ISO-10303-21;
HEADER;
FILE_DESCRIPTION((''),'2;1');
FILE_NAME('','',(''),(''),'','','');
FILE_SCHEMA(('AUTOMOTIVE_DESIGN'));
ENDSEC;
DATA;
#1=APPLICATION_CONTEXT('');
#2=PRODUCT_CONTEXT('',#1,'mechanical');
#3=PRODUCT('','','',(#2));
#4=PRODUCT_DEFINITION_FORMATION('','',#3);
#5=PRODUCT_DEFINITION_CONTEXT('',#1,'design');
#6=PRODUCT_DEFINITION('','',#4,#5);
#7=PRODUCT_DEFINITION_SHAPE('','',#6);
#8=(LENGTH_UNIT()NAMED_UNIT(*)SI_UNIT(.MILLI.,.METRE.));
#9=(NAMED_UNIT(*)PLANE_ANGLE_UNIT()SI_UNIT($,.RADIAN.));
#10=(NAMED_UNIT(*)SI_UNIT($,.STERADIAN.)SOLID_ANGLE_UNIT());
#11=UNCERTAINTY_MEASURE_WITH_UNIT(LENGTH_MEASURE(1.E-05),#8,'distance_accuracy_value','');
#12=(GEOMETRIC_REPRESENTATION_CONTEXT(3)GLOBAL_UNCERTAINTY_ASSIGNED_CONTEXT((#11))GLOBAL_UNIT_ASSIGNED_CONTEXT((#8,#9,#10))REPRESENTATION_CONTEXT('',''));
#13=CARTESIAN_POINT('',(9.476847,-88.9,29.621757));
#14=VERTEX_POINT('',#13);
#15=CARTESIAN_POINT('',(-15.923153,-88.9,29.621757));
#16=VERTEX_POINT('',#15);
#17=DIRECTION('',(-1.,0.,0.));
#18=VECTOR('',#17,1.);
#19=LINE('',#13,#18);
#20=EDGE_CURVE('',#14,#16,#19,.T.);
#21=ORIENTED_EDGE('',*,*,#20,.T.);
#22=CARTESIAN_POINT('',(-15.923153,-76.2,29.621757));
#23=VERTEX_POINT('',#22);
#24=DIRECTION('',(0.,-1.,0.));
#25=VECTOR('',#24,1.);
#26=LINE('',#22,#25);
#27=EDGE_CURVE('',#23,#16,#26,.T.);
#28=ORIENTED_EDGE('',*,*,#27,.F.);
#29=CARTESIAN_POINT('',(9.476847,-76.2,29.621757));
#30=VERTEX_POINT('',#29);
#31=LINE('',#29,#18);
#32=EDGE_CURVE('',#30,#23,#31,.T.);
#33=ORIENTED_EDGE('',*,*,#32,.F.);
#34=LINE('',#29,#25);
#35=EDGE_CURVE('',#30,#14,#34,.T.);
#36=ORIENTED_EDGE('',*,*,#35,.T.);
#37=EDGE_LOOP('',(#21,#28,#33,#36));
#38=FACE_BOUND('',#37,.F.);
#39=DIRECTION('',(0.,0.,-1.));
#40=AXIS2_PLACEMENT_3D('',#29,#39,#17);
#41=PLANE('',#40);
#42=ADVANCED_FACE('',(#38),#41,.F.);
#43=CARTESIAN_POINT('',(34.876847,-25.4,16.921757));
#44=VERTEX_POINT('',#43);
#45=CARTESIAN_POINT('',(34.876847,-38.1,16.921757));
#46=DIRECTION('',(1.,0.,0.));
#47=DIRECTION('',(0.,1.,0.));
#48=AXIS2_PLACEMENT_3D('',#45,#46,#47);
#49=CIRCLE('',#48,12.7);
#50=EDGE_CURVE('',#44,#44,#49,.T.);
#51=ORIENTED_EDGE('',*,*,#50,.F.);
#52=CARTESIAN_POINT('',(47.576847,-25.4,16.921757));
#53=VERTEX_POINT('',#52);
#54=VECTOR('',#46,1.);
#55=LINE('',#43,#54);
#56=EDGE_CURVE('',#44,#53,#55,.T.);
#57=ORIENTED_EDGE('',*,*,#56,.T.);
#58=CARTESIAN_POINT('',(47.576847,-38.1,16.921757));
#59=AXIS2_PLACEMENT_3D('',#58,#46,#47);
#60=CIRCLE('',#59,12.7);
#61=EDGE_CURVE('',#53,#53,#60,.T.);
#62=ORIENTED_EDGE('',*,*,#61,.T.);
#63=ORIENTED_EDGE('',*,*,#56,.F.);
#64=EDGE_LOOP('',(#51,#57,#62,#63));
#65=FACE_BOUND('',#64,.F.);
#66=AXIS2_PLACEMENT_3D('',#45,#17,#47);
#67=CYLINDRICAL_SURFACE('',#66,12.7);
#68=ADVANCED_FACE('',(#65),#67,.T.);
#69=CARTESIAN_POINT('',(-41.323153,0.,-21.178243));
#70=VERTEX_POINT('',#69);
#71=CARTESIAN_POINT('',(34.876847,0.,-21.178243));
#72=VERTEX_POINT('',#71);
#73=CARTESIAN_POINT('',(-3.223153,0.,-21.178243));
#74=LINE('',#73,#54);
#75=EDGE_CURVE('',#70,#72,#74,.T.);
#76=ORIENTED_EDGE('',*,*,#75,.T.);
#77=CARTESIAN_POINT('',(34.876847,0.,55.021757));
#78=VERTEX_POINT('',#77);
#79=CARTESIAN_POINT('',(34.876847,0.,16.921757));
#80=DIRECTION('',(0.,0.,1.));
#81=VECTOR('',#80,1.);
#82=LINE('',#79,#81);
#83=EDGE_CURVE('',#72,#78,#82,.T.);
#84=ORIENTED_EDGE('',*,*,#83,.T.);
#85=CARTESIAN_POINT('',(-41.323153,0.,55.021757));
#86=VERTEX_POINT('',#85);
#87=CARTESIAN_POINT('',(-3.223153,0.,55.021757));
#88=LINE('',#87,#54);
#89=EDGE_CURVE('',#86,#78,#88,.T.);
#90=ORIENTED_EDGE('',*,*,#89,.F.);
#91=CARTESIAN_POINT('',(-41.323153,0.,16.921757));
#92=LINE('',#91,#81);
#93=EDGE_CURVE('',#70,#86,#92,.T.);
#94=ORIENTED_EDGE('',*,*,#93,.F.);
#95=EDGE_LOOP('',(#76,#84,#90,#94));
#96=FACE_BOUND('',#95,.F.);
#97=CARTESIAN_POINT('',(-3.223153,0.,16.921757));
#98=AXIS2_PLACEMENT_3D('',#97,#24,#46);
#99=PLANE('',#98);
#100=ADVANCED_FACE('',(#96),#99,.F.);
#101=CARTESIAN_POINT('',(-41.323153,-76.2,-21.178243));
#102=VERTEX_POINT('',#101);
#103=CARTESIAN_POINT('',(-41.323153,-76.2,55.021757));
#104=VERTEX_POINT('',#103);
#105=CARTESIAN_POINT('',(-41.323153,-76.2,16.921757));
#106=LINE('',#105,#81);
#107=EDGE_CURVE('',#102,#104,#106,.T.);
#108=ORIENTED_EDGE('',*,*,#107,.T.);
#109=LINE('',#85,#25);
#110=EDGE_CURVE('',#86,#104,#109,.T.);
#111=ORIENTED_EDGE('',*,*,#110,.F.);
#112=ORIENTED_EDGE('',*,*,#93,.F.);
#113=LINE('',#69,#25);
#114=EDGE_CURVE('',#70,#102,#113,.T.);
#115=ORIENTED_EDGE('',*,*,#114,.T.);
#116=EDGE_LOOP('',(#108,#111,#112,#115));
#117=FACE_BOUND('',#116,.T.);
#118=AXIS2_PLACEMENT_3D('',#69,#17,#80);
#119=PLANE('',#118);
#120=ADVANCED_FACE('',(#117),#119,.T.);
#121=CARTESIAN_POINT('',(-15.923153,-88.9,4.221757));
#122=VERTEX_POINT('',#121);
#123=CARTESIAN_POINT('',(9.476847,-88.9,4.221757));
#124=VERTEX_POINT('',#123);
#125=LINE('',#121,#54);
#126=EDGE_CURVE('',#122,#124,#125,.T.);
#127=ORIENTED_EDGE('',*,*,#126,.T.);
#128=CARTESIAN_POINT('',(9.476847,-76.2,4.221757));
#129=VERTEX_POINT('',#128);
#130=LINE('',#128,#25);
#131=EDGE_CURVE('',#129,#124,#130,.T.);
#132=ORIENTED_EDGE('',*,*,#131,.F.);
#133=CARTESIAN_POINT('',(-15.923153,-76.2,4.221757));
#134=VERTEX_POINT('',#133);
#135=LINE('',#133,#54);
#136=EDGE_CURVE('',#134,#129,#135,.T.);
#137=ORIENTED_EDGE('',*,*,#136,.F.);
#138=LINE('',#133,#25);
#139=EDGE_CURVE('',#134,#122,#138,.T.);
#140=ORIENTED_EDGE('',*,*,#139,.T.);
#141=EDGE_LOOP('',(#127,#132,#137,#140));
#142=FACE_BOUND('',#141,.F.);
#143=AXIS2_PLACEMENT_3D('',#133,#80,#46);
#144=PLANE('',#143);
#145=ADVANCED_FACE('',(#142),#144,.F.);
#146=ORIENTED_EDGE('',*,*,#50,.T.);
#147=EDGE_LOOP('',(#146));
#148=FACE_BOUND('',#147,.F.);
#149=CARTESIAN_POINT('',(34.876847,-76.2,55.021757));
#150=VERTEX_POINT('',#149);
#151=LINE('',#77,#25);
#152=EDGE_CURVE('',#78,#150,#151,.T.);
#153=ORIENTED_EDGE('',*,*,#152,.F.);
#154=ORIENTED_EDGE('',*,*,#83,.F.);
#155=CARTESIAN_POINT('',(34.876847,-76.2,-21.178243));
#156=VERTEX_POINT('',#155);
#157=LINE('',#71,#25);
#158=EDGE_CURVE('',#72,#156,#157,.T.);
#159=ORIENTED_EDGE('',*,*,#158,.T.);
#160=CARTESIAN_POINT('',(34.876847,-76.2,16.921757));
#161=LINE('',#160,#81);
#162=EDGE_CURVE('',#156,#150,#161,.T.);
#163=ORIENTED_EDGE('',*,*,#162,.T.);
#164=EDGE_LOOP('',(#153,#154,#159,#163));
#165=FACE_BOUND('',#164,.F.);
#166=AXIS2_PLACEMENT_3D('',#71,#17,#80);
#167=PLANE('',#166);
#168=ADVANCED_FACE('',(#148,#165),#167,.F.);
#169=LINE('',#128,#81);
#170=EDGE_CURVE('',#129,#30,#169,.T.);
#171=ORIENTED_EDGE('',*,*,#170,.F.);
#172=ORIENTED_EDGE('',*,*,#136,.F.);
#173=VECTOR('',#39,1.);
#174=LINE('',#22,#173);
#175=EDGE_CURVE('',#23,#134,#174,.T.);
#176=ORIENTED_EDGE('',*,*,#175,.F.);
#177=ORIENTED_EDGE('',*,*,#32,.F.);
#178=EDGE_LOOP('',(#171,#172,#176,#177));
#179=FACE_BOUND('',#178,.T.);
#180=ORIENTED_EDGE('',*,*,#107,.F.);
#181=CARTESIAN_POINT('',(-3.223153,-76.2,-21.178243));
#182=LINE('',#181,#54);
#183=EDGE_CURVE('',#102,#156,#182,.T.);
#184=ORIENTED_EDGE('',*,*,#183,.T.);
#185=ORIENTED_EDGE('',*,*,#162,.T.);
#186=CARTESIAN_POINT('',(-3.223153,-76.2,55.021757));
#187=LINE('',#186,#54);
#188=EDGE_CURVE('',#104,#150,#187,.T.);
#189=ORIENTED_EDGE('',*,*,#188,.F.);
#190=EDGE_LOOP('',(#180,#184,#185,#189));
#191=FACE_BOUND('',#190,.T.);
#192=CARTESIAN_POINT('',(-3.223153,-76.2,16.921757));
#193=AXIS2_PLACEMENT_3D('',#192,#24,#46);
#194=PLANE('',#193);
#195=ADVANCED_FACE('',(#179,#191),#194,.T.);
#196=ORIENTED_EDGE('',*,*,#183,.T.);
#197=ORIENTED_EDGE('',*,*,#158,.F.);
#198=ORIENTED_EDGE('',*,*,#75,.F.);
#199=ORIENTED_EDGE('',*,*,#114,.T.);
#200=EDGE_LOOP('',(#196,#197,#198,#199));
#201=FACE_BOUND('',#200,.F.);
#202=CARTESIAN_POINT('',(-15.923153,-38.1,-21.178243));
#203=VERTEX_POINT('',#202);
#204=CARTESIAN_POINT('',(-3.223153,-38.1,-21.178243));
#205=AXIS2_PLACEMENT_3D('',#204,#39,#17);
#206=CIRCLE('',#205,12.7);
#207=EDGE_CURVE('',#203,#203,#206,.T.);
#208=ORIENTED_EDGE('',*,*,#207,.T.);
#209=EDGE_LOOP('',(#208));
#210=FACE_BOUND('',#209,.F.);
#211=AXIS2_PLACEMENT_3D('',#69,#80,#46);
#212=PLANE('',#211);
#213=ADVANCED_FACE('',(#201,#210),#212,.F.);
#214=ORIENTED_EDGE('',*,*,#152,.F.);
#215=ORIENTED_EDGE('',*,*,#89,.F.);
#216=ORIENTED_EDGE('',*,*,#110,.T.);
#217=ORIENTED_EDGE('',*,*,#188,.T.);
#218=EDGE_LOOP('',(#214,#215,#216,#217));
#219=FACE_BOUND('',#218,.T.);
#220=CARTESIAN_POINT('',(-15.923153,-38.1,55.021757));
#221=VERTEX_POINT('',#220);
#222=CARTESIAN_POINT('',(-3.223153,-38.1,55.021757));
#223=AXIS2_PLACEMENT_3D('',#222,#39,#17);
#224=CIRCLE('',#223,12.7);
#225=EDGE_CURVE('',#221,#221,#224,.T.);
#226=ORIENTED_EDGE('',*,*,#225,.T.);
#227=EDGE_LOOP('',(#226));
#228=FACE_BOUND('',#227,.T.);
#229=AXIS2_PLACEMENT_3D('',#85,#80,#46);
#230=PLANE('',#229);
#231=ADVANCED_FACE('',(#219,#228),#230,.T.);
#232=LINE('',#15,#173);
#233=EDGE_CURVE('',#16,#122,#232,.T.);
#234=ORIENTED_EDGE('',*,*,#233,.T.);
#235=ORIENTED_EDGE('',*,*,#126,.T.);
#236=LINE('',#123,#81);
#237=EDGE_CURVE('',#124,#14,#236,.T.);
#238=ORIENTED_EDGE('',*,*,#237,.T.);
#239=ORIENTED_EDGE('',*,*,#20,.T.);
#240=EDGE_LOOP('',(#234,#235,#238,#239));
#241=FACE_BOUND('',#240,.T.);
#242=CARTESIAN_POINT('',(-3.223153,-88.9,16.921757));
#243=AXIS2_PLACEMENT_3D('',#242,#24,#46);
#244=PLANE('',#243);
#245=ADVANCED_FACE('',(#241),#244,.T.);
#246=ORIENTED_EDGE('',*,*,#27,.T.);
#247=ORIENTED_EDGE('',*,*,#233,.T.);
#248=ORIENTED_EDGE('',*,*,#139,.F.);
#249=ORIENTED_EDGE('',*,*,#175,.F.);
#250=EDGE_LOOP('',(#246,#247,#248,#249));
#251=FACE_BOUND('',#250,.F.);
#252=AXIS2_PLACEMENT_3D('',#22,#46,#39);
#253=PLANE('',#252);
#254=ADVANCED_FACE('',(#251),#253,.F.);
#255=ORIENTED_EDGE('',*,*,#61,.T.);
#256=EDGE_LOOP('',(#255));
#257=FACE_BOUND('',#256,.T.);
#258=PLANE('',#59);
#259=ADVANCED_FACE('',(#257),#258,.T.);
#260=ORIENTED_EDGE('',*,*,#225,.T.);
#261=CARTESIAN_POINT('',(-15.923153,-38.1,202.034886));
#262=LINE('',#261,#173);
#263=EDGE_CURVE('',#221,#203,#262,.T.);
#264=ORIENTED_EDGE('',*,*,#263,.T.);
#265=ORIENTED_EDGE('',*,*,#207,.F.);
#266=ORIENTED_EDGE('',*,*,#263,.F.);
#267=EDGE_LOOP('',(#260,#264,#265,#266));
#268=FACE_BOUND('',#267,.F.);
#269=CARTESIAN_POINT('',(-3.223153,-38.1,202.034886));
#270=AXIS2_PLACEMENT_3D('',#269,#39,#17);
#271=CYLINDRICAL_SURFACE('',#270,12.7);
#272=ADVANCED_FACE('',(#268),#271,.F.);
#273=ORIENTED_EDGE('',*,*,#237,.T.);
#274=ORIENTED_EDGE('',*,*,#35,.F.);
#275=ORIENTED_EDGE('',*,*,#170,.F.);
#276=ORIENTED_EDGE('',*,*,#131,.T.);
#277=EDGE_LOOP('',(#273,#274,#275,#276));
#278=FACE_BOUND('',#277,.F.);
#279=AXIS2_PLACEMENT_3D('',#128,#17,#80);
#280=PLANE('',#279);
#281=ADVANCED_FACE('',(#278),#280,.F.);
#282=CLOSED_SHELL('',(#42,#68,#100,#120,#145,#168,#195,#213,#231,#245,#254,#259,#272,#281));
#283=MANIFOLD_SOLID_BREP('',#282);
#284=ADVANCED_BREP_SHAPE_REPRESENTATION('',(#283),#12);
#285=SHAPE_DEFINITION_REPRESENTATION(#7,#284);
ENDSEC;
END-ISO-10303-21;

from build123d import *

# Parameters (mm, degrees)
F0_W     = 76.2
F0_H     = 76.2
F1_DEPTH = 76.2
F3_DEPTH = 12.7
F4_R     = 12.7
F5_DEPTH = 12.7
F7_D     = 25.4


with BuildPart() as f1:
    # F0 (on Front) → F1 (new body)
    with BuildSketch(Plane.XZ):
        with Locations((-3.223153, 16.921757)):
            Rectangle(F0_W, F0_H)
    extrude(amount=F1_DEPTH)

    # F2 (on face) → F3 (join)
    with BuildSketch(Plane.XZ.offset(76.2)):
        Polygon((-3.223153, 29.621757), (-15.923153, 29.621757), (-15.923153, 4.221757), (9.476847, 4.221757), (9.476847, 29.621757), (-2.963288, 29.621757), align=None)
    extrude(amount=F3_DEPTH)

    # F4 (on face) → F5 (join)
    with BuildSketch(Plane.YZ.offset(34.876847)):
        with Locations((-38.1, 16.921757)):
            Circle(F4_R)
    extrude(amount=F5_DEPTH)

    # F7 (through all)
    with Locations(Plane.XY.offset(55.021757)):
        with Locations((-3.223153, -38.1)):
            Hole(F7_D / 2)


solid = f1.part
